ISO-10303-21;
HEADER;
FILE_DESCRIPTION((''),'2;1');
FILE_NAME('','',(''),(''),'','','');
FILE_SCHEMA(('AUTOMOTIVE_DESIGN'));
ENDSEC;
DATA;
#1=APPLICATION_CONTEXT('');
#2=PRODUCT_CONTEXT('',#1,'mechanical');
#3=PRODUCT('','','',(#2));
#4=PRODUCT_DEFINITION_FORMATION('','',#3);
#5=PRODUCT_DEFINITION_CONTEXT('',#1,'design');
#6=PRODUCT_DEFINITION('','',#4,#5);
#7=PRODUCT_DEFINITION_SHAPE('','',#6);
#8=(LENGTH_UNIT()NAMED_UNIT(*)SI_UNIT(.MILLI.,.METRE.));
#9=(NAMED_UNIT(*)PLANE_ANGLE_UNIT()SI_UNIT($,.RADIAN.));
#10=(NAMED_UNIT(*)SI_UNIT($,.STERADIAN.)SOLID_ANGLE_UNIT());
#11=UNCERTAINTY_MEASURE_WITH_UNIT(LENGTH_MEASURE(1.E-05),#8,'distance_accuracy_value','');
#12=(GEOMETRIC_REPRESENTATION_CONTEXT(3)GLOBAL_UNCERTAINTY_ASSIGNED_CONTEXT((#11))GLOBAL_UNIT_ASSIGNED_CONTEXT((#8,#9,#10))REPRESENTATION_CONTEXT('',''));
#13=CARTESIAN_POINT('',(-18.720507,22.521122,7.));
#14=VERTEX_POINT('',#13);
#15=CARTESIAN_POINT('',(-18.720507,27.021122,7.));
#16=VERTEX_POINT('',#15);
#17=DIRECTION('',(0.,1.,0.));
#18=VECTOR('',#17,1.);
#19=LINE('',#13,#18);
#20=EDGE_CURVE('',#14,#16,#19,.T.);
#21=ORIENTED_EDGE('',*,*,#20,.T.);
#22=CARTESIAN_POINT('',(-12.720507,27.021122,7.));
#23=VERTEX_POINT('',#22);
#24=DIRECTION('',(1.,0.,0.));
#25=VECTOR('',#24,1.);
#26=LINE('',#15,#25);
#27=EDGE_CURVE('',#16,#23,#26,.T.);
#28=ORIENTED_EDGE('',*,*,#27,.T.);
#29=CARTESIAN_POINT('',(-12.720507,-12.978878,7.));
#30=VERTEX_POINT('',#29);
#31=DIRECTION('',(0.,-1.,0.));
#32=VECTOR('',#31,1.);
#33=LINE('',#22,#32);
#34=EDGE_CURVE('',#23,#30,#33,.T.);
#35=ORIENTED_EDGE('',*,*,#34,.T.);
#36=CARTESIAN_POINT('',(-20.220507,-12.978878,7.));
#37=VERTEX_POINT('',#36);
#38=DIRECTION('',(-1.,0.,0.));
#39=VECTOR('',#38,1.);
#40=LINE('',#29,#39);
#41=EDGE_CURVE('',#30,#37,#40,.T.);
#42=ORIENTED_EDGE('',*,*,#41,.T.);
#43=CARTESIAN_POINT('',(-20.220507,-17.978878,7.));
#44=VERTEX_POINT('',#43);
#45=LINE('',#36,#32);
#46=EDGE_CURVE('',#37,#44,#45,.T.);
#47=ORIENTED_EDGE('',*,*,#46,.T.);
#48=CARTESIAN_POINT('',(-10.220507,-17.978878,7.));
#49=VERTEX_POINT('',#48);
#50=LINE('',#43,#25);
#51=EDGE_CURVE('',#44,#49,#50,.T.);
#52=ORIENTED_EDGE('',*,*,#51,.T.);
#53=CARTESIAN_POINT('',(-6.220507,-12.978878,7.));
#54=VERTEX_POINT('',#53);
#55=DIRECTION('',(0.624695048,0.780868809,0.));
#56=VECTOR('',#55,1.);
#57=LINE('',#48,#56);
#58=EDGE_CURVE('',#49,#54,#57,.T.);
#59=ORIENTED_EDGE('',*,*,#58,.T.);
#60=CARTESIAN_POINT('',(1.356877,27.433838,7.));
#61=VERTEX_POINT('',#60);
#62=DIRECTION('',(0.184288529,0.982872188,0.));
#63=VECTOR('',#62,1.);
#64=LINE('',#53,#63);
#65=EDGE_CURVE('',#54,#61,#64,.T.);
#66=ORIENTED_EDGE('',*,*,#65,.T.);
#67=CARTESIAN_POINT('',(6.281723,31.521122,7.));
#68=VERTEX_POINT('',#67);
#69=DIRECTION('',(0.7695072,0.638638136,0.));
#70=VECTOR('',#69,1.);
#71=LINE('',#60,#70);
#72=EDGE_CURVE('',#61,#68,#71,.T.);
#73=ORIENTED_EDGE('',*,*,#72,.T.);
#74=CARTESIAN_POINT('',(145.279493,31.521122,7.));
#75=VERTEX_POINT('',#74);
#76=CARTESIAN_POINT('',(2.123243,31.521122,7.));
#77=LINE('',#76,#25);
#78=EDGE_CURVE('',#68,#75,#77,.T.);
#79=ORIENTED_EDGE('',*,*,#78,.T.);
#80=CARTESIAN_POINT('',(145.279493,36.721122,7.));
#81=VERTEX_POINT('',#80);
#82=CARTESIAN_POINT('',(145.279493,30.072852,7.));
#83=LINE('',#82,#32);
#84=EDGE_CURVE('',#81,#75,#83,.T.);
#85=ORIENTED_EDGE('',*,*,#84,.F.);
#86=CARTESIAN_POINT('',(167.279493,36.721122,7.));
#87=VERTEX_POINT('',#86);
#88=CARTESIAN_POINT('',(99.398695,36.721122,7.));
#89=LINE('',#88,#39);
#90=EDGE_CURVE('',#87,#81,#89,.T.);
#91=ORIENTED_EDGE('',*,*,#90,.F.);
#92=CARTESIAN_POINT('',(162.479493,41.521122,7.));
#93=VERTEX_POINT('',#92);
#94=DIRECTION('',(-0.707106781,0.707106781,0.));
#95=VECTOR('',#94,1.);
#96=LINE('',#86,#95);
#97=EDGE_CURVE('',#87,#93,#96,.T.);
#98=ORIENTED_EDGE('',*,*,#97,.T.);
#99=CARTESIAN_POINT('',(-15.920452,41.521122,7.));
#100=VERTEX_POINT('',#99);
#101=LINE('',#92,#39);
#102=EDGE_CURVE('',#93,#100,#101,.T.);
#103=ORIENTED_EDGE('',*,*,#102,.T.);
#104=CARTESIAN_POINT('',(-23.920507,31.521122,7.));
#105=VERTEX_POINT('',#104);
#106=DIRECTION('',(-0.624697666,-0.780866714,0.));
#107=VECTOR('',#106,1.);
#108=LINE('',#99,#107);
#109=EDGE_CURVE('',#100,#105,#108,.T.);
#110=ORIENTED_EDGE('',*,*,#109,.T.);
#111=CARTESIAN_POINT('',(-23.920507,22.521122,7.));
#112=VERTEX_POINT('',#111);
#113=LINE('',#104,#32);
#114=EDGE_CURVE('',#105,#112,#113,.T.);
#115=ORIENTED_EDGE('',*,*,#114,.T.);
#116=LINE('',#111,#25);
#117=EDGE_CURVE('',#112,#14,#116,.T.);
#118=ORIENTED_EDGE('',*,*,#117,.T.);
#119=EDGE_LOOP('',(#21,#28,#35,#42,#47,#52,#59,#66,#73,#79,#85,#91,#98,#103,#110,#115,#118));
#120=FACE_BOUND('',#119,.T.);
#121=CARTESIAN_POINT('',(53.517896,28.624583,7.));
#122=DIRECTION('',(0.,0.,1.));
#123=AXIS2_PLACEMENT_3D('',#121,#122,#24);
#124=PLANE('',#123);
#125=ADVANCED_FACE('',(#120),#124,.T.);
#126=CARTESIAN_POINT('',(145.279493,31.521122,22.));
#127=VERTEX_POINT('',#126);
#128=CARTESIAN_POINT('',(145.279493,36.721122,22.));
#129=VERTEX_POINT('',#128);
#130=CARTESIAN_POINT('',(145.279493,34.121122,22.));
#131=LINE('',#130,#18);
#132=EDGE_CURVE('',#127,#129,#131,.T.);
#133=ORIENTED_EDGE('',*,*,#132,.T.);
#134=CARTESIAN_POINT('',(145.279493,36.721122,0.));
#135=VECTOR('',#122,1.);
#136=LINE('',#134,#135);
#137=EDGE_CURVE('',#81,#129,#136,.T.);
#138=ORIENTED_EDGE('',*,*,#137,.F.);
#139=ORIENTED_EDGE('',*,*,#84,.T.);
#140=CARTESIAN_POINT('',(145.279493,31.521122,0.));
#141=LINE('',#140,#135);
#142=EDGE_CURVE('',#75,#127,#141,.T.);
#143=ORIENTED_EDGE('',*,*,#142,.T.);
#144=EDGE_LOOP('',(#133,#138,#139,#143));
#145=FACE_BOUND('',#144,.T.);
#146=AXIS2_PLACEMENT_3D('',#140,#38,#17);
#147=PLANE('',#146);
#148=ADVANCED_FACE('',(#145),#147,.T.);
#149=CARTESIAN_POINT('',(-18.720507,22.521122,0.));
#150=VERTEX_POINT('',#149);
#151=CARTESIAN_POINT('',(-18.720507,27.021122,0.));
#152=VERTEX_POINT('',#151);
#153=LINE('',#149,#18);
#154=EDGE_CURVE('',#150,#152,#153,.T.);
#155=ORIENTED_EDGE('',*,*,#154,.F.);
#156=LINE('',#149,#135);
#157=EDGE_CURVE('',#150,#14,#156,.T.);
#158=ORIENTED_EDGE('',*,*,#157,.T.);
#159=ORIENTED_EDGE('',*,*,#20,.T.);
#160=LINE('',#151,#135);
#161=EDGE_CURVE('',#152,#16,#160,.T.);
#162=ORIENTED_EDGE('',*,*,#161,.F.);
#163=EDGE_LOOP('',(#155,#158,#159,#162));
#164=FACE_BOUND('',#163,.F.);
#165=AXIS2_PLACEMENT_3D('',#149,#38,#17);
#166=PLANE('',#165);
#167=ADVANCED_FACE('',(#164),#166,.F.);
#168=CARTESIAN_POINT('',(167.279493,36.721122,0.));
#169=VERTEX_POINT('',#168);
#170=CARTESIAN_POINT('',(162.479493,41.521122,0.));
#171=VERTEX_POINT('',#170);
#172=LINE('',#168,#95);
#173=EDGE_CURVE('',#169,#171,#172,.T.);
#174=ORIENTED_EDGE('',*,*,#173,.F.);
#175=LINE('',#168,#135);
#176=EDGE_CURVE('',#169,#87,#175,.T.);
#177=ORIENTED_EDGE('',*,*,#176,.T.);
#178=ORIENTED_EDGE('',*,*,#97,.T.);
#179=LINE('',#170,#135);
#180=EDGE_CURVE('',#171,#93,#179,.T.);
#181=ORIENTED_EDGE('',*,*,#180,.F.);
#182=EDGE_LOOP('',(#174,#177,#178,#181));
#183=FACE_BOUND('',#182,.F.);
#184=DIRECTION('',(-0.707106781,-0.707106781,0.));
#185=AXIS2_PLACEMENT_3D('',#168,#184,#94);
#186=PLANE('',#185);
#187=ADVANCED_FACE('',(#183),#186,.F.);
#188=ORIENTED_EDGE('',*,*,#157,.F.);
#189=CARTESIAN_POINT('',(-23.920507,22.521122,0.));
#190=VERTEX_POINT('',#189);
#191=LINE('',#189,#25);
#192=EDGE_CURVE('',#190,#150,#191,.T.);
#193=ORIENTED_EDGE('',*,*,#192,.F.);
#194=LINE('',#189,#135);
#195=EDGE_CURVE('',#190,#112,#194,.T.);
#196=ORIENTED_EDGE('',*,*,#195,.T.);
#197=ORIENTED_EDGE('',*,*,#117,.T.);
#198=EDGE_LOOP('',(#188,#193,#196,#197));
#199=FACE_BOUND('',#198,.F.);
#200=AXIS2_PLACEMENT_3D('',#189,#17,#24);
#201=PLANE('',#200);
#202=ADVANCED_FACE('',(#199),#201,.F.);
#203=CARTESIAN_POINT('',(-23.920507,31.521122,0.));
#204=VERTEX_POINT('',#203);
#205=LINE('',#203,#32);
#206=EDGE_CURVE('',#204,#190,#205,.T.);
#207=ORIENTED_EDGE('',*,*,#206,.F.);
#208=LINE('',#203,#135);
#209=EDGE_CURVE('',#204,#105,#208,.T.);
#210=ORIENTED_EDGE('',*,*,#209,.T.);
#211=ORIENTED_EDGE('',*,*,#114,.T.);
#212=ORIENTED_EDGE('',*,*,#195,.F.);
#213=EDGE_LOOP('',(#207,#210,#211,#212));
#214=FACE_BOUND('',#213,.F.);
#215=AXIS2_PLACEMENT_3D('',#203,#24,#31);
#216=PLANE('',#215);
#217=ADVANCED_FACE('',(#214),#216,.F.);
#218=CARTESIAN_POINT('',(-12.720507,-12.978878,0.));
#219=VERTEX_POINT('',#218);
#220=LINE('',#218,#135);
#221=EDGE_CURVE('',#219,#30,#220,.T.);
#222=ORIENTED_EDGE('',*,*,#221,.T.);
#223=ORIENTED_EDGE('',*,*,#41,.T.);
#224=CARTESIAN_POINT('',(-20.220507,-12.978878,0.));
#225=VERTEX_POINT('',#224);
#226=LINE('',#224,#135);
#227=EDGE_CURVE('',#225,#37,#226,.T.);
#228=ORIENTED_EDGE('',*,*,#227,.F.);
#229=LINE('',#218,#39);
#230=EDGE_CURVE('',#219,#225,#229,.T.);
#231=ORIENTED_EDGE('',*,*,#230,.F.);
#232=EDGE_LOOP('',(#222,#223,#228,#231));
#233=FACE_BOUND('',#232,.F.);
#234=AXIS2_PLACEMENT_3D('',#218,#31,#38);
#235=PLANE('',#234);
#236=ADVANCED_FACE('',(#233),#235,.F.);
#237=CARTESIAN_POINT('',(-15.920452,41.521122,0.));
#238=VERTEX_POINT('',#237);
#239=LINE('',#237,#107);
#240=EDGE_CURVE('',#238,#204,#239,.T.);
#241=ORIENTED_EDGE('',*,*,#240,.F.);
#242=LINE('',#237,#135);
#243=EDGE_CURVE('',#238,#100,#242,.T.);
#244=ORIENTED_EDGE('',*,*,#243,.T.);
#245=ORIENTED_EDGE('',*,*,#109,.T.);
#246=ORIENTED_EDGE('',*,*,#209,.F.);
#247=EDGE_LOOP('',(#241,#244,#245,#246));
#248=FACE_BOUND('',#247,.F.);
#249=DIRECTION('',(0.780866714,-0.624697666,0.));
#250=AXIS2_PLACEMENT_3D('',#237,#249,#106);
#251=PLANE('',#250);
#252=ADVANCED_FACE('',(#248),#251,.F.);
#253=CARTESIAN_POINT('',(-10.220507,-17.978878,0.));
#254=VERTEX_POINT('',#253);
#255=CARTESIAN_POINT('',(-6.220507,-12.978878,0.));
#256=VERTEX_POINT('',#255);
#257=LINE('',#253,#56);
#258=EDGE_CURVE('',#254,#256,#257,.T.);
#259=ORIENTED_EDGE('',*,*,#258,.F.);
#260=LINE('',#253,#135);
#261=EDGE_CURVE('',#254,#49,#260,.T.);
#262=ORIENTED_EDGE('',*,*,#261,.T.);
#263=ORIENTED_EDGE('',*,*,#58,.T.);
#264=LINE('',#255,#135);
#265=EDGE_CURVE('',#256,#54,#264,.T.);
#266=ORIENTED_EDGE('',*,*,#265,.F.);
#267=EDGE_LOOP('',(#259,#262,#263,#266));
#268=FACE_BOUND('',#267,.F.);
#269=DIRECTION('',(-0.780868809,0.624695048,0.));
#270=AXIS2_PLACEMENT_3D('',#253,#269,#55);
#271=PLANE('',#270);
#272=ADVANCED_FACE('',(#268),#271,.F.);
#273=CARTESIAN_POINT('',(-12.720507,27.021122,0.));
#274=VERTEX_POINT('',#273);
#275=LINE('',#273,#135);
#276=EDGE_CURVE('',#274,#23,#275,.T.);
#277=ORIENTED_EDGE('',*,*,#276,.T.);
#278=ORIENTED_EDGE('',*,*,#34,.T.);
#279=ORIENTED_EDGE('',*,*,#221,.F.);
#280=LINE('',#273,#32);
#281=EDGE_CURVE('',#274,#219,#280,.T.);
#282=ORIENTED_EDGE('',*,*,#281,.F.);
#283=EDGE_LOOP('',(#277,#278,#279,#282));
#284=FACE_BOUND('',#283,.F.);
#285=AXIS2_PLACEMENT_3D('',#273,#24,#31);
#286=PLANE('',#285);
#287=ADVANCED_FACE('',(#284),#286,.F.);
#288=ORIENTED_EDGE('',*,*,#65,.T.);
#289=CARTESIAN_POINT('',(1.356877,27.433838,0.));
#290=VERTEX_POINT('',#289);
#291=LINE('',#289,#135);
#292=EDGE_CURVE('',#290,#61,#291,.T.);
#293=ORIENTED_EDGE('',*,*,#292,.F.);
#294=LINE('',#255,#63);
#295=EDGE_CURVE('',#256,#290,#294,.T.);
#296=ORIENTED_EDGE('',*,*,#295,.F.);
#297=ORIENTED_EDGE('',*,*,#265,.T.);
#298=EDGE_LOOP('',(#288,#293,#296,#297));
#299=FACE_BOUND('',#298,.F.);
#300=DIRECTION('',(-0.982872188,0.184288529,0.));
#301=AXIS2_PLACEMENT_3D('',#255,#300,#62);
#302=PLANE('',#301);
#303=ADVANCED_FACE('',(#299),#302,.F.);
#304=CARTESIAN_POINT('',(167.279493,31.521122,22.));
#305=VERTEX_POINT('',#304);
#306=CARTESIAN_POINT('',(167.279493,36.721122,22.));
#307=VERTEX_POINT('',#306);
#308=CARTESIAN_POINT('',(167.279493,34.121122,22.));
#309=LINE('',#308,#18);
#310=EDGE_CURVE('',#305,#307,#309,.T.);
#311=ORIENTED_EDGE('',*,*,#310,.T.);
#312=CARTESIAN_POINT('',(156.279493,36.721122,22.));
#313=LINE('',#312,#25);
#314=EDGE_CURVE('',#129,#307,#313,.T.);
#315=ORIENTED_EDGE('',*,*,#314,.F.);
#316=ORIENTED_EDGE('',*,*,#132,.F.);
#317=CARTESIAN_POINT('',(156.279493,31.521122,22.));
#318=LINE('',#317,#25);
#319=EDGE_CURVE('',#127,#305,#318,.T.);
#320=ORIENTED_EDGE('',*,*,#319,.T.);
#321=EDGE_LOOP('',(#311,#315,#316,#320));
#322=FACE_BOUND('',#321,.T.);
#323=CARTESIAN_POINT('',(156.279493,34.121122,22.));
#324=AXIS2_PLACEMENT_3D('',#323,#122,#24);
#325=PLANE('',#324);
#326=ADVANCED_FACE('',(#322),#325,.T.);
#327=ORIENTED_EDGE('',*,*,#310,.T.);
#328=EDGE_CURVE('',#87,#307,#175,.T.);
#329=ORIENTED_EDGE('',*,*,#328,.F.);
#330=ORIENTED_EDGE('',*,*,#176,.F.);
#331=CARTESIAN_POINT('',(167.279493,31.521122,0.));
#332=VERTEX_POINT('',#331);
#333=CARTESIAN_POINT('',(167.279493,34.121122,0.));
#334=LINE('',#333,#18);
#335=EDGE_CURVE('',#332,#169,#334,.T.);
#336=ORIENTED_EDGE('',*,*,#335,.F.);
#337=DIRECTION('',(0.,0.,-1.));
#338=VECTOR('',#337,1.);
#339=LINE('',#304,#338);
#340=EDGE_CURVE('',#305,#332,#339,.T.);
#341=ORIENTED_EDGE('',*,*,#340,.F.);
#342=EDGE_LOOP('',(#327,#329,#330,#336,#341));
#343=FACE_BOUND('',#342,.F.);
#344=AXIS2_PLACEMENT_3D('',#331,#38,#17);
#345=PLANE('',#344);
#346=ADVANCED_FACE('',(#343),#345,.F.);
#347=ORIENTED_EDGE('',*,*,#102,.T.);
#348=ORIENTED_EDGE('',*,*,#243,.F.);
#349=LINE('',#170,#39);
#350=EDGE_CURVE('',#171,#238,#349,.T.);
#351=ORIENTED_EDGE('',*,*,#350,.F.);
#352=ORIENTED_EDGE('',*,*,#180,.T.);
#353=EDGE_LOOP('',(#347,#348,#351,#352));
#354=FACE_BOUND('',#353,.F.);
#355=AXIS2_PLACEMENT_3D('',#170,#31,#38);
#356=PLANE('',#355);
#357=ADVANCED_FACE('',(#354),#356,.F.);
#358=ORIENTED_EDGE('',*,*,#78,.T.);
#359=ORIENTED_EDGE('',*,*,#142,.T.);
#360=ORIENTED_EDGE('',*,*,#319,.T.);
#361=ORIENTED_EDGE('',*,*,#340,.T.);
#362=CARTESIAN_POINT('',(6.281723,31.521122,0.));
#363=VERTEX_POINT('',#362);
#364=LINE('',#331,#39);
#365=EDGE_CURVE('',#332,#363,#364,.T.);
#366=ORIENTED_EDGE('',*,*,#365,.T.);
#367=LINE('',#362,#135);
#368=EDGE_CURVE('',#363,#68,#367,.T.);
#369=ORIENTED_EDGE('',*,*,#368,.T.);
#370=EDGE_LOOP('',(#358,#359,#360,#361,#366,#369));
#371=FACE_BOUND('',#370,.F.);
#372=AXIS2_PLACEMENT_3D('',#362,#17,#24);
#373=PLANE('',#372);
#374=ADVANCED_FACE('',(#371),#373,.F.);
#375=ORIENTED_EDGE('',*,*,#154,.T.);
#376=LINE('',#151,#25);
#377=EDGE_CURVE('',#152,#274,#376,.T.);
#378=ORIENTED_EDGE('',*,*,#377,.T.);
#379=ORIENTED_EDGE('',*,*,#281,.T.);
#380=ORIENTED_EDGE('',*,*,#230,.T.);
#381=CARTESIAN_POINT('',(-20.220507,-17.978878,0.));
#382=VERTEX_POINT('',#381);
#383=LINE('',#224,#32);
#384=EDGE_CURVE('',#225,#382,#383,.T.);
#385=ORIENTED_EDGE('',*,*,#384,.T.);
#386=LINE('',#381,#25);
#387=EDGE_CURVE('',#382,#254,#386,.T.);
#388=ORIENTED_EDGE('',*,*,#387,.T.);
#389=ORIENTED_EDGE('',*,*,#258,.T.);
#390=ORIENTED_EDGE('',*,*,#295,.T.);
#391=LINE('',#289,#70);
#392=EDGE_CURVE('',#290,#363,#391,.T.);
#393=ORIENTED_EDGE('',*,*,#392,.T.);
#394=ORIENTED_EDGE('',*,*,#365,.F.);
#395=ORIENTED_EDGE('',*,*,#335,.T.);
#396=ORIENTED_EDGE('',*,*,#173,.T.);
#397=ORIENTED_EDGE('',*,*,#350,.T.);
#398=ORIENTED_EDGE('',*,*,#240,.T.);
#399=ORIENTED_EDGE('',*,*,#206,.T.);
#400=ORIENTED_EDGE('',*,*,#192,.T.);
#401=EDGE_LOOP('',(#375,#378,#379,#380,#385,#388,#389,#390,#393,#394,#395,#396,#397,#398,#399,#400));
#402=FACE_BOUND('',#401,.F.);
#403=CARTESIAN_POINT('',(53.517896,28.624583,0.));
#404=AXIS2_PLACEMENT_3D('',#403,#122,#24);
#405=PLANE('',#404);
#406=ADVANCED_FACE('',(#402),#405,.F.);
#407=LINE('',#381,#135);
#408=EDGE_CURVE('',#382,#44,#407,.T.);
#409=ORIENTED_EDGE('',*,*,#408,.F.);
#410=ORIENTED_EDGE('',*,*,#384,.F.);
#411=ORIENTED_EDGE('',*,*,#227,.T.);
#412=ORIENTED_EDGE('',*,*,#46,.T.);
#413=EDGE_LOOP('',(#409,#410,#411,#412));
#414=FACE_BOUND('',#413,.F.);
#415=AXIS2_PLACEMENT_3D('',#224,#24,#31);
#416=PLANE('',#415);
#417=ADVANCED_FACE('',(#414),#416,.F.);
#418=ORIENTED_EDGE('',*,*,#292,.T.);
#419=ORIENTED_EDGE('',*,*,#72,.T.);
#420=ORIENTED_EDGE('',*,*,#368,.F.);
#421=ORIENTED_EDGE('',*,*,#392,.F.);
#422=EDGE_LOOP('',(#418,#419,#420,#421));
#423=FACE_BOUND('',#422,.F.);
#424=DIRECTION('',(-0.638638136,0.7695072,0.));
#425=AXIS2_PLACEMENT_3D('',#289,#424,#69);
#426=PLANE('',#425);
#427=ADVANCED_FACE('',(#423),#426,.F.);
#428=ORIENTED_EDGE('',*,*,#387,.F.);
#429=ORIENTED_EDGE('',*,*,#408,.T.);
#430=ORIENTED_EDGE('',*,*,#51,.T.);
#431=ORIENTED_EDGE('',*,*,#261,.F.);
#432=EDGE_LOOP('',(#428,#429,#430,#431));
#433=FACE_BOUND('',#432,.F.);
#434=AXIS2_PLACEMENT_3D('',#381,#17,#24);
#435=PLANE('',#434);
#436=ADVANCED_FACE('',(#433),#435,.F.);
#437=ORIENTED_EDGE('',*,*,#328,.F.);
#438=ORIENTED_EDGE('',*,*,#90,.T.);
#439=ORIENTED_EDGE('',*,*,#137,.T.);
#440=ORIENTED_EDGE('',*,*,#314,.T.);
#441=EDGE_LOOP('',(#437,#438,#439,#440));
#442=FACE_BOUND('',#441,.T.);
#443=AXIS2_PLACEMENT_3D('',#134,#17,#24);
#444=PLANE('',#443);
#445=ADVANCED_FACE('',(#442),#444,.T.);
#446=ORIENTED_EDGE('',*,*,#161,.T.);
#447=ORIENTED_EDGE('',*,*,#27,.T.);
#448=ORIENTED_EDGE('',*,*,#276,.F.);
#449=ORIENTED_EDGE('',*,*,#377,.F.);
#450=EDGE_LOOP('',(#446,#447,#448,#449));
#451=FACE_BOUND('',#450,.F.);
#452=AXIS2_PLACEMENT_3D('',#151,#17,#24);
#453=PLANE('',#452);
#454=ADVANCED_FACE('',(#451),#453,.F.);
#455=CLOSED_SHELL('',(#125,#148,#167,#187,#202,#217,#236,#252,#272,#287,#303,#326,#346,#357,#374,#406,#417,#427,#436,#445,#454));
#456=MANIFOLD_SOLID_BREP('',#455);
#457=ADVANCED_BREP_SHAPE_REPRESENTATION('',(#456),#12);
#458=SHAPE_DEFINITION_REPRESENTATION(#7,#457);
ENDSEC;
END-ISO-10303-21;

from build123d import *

# Parameters (mm, degrees)
F0_W     = 22
F0_H     = 5.2
F1_DEPTH = 7
F2_DEPTH = 22


with BuildPart() as f1:
    # F0 (on Top) → F1 (new body)
    with BuildSketch(Plane.XY):
        Polygon((-18.720507, 22.521122), (-18.720507, 27.021122), (-12.720507, 27.021122), (-12.720507, -12.978878), (-20.220507, -12.978878), (-20.220507, -17.978878), (-10.220507, -17.978878), (-6.220507, -12.978878), (1.356877, 27.433838), (2.123243, 31.521122), (6.281723, 31.521122), (145.279493, 31.521122), (145.279493, 36.721122), (167.279493, 36.721122), (162.479493, 41.521122), (-15.920452, 41.521122), (-23.920507, 31.521122), (-23.920507, 22.521122), align=None)
        with Locations((156.279493, 34.121122)):
            Rectangle(F0_W, F0_H)
        Polygon((2.123243, 31.521122), (1.356877, 27.433838), (6.281723, 31.521122), align=None)
    extrude(amount=F1_DEPTH)

    # F0 (on Top) → F2 (join)
    with BuildSketch(Plane.XY):
        with Locations((156.279493, 34.121122)):
            Rectangle(F0_W, F0_H)
    extrude(amount=F2_DEPTH)


solid = f1.part
